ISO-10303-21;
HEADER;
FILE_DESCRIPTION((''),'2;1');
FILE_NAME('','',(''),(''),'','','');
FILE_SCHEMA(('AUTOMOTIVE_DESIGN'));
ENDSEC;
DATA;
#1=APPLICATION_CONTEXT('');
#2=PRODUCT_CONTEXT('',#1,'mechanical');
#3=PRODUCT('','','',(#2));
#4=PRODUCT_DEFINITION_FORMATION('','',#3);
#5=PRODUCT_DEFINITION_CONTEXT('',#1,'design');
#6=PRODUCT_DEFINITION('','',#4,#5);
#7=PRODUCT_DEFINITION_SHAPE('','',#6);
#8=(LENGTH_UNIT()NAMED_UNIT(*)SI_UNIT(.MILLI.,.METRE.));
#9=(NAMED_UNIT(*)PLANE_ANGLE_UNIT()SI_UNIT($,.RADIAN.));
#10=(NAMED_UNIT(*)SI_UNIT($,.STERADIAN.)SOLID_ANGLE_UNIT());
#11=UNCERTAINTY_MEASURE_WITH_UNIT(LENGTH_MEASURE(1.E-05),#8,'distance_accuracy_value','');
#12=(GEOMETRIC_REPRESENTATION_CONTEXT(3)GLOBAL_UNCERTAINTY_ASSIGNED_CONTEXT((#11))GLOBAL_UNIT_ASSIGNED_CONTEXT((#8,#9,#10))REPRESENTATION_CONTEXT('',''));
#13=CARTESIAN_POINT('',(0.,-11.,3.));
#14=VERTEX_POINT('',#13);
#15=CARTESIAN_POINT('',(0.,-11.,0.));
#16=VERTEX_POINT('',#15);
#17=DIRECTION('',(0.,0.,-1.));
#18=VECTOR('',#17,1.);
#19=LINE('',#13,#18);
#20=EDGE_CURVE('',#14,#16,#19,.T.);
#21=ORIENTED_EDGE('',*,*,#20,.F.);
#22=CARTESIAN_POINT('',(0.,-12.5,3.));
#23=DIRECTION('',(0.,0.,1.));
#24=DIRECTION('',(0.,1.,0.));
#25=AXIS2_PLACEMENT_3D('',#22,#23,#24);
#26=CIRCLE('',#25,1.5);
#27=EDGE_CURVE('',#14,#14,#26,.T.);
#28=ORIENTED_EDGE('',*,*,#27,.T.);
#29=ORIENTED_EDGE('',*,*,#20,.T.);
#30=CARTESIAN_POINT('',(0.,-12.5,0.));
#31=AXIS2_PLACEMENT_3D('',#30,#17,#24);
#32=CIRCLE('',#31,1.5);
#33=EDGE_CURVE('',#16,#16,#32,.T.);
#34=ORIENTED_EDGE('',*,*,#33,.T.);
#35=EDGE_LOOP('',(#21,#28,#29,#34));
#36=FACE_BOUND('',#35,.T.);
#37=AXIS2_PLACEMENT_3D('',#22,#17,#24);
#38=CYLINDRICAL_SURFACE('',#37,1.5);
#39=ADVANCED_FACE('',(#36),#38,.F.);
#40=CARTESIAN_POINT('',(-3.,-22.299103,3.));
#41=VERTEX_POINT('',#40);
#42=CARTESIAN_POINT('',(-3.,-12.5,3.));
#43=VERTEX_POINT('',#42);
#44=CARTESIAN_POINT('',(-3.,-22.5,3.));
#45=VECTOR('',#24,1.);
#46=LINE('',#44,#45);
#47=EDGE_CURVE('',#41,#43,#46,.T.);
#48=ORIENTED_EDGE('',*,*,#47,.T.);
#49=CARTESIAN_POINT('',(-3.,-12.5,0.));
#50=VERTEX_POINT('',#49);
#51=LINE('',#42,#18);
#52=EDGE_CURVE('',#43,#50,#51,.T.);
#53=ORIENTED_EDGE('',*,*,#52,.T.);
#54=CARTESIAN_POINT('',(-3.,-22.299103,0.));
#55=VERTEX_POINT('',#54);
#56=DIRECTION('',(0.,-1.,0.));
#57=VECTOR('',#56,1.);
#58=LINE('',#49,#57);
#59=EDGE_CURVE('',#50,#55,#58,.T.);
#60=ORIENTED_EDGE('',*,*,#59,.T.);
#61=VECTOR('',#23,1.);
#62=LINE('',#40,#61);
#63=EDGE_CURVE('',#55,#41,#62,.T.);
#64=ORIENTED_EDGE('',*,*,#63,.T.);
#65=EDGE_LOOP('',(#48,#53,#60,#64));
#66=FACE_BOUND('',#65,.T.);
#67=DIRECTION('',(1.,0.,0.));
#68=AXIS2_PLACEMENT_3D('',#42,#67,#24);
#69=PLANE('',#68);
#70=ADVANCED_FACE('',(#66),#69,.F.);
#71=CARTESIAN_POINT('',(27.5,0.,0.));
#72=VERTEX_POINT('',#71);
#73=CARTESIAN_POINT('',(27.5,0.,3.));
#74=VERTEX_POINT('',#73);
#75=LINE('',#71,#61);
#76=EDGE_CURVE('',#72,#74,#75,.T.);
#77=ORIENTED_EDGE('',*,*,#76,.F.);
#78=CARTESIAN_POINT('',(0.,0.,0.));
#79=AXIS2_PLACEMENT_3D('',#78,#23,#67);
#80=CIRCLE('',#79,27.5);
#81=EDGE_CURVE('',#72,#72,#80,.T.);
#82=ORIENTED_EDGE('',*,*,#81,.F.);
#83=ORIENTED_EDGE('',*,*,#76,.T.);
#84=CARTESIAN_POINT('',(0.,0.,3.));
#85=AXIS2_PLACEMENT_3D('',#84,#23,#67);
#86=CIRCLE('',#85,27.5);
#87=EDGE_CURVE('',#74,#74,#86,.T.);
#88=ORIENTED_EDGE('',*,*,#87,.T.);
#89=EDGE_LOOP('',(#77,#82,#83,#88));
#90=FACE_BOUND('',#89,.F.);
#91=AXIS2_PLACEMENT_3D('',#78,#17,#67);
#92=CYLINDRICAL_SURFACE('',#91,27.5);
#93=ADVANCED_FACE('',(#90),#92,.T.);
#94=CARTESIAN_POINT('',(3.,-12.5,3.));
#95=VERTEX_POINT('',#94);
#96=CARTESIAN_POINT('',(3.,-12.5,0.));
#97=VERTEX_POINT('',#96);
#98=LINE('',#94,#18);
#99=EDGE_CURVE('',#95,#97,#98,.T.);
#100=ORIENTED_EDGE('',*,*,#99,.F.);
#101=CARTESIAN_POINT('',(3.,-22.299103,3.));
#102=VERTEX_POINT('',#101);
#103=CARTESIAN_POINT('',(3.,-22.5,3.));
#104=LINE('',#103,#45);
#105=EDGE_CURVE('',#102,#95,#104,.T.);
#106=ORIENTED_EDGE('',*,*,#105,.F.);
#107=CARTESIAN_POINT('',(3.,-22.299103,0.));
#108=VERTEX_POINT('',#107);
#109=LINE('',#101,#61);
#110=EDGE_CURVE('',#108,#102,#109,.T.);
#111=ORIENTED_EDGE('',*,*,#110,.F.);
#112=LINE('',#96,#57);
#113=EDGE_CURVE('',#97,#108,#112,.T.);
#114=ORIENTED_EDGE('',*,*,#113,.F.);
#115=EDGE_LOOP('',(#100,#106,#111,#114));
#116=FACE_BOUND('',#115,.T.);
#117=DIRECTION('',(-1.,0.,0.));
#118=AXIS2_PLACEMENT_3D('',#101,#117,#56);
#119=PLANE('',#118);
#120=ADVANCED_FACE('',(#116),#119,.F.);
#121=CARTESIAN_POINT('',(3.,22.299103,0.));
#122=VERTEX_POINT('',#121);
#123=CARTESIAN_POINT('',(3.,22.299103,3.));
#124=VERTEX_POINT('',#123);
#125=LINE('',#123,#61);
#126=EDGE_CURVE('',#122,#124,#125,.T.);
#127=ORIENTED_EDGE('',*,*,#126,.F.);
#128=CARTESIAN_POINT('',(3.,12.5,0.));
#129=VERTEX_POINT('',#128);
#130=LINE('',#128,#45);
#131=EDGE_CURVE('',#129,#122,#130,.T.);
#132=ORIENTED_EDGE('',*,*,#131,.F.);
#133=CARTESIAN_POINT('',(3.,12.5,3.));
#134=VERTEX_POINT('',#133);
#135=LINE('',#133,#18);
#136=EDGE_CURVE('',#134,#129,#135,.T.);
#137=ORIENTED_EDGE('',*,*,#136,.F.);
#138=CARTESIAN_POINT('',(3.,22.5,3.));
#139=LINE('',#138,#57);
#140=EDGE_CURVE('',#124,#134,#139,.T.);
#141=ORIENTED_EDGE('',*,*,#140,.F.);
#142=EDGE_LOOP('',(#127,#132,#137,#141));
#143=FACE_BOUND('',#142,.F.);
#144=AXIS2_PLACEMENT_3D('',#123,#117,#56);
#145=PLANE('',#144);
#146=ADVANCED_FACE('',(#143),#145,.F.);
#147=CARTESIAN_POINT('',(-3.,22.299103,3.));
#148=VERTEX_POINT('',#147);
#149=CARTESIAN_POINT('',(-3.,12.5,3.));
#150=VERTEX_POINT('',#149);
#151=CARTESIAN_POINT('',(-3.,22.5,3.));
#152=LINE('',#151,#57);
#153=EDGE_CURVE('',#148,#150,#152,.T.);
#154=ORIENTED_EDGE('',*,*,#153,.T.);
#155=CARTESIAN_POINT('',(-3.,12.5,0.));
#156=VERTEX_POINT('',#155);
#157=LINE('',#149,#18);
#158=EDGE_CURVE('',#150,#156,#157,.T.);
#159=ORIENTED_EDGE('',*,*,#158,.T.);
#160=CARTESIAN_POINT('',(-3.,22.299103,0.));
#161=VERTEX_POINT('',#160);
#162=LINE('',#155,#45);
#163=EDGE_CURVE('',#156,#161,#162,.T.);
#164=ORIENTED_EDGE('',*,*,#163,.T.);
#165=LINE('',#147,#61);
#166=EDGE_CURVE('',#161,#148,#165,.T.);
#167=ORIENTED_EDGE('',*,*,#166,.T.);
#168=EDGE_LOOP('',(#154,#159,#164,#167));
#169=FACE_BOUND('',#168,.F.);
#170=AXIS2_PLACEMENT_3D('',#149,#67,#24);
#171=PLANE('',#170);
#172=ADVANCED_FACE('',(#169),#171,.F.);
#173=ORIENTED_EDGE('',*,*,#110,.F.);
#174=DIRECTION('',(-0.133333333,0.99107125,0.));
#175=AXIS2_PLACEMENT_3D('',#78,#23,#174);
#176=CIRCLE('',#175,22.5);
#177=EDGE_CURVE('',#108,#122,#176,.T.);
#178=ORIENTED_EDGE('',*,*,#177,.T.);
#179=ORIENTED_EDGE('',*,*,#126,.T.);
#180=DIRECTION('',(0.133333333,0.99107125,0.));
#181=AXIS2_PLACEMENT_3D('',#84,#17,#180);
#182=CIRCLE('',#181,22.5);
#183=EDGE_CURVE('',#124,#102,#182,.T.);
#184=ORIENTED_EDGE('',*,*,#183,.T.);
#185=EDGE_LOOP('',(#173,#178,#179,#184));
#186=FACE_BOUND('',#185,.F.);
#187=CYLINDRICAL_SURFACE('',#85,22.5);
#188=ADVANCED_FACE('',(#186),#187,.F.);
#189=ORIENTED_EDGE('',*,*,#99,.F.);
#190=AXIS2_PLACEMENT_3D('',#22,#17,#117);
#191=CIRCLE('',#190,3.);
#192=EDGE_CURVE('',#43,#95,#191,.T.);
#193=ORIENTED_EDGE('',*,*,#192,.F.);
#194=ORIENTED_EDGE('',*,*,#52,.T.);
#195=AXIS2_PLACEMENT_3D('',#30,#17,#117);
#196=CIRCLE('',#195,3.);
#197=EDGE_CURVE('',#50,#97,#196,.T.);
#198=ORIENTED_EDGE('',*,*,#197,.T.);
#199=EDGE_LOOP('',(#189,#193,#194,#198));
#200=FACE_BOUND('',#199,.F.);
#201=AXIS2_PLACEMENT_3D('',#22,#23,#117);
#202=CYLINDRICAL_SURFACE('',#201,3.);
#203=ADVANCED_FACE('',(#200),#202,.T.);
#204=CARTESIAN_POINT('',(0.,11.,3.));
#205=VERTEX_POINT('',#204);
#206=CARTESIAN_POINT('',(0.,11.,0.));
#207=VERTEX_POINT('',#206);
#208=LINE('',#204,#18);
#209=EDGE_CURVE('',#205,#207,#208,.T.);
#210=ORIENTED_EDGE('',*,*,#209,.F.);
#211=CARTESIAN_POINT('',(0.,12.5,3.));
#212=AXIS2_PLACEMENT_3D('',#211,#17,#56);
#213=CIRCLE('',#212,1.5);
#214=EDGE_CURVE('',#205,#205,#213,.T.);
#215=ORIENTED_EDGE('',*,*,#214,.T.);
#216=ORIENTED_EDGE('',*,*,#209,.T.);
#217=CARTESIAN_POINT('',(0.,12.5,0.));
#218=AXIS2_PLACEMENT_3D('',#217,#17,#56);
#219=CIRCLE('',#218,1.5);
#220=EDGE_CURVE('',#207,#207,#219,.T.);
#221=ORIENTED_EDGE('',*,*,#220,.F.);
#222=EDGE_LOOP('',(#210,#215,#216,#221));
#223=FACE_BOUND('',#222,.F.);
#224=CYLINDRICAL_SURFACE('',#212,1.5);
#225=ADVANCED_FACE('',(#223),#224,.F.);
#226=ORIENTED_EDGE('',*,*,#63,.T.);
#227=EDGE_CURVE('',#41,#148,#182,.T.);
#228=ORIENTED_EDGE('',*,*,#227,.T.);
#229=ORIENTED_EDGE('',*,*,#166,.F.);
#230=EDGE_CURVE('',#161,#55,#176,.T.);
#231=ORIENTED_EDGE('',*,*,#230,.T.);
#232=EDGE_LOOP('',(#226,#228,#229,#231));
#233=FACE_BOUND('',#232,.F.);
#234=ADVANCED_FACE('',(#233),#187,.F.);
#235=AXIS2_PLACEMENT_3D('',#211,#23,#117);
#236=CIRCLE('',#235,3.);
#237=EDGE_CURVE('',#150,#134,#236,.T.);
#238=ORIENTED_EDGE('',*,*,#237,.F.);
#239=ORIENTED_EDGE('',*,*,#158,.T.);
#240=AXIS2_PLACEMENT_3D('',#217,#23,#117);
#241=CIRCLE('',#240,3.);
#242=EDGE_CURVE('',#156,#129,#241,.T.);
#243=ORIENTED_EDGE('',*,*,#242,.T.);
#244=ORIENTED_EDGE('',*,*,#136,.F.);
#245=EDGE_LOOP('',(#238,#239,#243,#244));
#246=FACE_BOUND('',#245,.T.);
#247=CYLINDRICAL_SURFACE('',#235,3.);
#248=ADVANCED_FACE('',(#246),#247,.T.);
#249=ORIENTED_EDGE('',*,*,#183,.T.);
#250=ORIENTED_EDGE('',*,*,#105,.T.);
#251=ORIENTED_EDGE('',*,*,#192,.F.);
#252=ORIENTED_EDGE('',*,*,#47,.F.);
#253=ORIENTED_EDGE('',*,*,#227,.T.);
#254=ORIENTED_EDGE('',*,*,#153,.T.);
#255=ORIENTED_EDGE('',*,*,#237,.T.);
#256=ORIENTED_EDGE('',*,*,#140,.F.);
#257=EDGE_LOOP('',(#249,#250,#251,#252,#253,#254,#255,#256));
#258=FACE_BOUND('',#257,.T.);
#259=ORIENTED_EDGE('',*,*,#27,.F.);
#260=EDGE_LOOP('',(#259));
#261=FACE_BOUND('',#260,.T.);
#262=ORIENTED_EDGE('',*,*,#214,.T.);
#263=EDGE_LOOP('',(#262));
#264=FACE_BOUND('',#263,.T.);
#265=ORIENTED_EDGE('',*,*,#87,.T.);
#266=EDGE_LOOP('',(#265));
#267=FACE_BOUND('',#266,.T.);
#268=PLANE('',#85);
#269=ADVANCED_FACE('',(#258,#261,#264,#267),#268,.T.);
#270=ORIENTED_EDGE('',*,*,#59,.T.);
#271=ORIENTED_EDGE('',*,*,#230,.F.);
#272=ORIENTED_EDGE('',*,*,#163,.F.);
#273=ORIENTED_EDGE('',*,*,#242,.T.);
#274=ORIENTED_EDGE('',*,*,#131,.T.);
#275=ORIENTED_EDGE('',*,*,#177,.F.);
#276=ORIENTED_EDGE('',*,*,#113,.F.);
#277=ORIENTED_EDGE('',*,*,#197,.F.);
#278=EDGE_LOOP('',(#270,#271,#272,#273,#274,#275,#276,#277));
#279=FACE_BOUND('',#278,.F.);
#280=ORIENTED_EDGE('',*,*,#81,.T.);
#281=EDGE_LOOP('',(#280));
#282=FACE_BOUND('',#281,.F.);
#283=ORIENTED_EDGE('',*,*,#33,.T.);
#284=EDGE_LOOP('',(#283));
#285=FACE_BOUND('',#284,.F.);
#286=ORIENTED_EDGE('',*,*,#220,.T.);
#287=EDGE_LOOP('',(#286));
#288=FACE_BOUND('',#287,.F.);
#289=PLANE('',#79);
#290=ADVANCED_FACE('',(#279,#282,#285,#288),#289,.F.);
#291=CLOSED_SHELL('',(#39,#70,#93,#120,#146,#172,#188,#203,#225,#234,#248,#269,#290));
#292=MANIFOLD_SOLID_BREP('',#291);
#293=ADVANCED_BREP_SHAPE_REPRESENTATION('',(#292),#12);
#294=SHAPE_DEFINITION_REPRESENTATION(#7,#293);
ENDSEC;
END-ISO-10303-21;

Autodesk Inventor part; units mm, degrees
ref_plane "YZ Plane" through (0, 0, 0) normal (1, 0, 0) x (0, 1, 0)
ref_plane "XZ Plane" through (0, 0, 0) normal (0, 1, 0) x (-1, 0, 0)
ref_plane "XY Plane" through (0, 0, 0) normal (0, 0, 1) x (1, 0, 0)
sketch "Sketch1" plane through (0, 0, 0) normal (0, 0, 1) x (1, 0, 0)
  circle A0 centre (0, 0) radius 27.5
  dimension "d0" = 55
extrude "Extrusion1" add sketch "Sketch1" along normal blind 3
sketch "Sketch2" plane through (0, 0, 3) normal (0, 0, 1) x (1, 0, 0)
  circle A0 centre (0, 0) radius 27.5 projected
  circle A1 centre (0, 0) radius 22.5
  dimension "d3" = 45
extrude "Extrusion2" cut sketch "Sketch2" against normal up to next contours A1
sketch "Sketch4" plane through (0, 0, 3) normal (0, 0, 1) x (1, 0, 0)
  circle A0 centre (0, 0) radius 22.5 projected
  line L0 (0, 12.5) -> (0, 22.5) construction
  line L1 (-3, 12.5) -> (-3, 22.5)
  line L2 (3, 22.5) -> (3, 12.5)
  arc A1 (-3, 12.5) -> (3, 12.5) centre (0, 12.5) ccw
  arc A2 (3, 22.5) -> (-3, 22.5) centre (0, 22.5) ccw
  point P0 (0, 17.5)
  dimension "d10" = 10
  dimension "d11" = 6
extrude "Extrusion4" add sketch "Sketch4" against normal up to surface (3 mm away) contours L2 A1 L1 A0 | A0 L1 A2 L2 picked at (-0.3342, 15.8259)
hole "Hole1" at (0, 12.5, 3) direction (0, 0, -1) diameter 3 end through all
mirror "Mirror1" about plane through (0, 0, 0) normal (0, 1, 0) of "Extrusion4", "Hole1"
properties part number "TreeHolder"
